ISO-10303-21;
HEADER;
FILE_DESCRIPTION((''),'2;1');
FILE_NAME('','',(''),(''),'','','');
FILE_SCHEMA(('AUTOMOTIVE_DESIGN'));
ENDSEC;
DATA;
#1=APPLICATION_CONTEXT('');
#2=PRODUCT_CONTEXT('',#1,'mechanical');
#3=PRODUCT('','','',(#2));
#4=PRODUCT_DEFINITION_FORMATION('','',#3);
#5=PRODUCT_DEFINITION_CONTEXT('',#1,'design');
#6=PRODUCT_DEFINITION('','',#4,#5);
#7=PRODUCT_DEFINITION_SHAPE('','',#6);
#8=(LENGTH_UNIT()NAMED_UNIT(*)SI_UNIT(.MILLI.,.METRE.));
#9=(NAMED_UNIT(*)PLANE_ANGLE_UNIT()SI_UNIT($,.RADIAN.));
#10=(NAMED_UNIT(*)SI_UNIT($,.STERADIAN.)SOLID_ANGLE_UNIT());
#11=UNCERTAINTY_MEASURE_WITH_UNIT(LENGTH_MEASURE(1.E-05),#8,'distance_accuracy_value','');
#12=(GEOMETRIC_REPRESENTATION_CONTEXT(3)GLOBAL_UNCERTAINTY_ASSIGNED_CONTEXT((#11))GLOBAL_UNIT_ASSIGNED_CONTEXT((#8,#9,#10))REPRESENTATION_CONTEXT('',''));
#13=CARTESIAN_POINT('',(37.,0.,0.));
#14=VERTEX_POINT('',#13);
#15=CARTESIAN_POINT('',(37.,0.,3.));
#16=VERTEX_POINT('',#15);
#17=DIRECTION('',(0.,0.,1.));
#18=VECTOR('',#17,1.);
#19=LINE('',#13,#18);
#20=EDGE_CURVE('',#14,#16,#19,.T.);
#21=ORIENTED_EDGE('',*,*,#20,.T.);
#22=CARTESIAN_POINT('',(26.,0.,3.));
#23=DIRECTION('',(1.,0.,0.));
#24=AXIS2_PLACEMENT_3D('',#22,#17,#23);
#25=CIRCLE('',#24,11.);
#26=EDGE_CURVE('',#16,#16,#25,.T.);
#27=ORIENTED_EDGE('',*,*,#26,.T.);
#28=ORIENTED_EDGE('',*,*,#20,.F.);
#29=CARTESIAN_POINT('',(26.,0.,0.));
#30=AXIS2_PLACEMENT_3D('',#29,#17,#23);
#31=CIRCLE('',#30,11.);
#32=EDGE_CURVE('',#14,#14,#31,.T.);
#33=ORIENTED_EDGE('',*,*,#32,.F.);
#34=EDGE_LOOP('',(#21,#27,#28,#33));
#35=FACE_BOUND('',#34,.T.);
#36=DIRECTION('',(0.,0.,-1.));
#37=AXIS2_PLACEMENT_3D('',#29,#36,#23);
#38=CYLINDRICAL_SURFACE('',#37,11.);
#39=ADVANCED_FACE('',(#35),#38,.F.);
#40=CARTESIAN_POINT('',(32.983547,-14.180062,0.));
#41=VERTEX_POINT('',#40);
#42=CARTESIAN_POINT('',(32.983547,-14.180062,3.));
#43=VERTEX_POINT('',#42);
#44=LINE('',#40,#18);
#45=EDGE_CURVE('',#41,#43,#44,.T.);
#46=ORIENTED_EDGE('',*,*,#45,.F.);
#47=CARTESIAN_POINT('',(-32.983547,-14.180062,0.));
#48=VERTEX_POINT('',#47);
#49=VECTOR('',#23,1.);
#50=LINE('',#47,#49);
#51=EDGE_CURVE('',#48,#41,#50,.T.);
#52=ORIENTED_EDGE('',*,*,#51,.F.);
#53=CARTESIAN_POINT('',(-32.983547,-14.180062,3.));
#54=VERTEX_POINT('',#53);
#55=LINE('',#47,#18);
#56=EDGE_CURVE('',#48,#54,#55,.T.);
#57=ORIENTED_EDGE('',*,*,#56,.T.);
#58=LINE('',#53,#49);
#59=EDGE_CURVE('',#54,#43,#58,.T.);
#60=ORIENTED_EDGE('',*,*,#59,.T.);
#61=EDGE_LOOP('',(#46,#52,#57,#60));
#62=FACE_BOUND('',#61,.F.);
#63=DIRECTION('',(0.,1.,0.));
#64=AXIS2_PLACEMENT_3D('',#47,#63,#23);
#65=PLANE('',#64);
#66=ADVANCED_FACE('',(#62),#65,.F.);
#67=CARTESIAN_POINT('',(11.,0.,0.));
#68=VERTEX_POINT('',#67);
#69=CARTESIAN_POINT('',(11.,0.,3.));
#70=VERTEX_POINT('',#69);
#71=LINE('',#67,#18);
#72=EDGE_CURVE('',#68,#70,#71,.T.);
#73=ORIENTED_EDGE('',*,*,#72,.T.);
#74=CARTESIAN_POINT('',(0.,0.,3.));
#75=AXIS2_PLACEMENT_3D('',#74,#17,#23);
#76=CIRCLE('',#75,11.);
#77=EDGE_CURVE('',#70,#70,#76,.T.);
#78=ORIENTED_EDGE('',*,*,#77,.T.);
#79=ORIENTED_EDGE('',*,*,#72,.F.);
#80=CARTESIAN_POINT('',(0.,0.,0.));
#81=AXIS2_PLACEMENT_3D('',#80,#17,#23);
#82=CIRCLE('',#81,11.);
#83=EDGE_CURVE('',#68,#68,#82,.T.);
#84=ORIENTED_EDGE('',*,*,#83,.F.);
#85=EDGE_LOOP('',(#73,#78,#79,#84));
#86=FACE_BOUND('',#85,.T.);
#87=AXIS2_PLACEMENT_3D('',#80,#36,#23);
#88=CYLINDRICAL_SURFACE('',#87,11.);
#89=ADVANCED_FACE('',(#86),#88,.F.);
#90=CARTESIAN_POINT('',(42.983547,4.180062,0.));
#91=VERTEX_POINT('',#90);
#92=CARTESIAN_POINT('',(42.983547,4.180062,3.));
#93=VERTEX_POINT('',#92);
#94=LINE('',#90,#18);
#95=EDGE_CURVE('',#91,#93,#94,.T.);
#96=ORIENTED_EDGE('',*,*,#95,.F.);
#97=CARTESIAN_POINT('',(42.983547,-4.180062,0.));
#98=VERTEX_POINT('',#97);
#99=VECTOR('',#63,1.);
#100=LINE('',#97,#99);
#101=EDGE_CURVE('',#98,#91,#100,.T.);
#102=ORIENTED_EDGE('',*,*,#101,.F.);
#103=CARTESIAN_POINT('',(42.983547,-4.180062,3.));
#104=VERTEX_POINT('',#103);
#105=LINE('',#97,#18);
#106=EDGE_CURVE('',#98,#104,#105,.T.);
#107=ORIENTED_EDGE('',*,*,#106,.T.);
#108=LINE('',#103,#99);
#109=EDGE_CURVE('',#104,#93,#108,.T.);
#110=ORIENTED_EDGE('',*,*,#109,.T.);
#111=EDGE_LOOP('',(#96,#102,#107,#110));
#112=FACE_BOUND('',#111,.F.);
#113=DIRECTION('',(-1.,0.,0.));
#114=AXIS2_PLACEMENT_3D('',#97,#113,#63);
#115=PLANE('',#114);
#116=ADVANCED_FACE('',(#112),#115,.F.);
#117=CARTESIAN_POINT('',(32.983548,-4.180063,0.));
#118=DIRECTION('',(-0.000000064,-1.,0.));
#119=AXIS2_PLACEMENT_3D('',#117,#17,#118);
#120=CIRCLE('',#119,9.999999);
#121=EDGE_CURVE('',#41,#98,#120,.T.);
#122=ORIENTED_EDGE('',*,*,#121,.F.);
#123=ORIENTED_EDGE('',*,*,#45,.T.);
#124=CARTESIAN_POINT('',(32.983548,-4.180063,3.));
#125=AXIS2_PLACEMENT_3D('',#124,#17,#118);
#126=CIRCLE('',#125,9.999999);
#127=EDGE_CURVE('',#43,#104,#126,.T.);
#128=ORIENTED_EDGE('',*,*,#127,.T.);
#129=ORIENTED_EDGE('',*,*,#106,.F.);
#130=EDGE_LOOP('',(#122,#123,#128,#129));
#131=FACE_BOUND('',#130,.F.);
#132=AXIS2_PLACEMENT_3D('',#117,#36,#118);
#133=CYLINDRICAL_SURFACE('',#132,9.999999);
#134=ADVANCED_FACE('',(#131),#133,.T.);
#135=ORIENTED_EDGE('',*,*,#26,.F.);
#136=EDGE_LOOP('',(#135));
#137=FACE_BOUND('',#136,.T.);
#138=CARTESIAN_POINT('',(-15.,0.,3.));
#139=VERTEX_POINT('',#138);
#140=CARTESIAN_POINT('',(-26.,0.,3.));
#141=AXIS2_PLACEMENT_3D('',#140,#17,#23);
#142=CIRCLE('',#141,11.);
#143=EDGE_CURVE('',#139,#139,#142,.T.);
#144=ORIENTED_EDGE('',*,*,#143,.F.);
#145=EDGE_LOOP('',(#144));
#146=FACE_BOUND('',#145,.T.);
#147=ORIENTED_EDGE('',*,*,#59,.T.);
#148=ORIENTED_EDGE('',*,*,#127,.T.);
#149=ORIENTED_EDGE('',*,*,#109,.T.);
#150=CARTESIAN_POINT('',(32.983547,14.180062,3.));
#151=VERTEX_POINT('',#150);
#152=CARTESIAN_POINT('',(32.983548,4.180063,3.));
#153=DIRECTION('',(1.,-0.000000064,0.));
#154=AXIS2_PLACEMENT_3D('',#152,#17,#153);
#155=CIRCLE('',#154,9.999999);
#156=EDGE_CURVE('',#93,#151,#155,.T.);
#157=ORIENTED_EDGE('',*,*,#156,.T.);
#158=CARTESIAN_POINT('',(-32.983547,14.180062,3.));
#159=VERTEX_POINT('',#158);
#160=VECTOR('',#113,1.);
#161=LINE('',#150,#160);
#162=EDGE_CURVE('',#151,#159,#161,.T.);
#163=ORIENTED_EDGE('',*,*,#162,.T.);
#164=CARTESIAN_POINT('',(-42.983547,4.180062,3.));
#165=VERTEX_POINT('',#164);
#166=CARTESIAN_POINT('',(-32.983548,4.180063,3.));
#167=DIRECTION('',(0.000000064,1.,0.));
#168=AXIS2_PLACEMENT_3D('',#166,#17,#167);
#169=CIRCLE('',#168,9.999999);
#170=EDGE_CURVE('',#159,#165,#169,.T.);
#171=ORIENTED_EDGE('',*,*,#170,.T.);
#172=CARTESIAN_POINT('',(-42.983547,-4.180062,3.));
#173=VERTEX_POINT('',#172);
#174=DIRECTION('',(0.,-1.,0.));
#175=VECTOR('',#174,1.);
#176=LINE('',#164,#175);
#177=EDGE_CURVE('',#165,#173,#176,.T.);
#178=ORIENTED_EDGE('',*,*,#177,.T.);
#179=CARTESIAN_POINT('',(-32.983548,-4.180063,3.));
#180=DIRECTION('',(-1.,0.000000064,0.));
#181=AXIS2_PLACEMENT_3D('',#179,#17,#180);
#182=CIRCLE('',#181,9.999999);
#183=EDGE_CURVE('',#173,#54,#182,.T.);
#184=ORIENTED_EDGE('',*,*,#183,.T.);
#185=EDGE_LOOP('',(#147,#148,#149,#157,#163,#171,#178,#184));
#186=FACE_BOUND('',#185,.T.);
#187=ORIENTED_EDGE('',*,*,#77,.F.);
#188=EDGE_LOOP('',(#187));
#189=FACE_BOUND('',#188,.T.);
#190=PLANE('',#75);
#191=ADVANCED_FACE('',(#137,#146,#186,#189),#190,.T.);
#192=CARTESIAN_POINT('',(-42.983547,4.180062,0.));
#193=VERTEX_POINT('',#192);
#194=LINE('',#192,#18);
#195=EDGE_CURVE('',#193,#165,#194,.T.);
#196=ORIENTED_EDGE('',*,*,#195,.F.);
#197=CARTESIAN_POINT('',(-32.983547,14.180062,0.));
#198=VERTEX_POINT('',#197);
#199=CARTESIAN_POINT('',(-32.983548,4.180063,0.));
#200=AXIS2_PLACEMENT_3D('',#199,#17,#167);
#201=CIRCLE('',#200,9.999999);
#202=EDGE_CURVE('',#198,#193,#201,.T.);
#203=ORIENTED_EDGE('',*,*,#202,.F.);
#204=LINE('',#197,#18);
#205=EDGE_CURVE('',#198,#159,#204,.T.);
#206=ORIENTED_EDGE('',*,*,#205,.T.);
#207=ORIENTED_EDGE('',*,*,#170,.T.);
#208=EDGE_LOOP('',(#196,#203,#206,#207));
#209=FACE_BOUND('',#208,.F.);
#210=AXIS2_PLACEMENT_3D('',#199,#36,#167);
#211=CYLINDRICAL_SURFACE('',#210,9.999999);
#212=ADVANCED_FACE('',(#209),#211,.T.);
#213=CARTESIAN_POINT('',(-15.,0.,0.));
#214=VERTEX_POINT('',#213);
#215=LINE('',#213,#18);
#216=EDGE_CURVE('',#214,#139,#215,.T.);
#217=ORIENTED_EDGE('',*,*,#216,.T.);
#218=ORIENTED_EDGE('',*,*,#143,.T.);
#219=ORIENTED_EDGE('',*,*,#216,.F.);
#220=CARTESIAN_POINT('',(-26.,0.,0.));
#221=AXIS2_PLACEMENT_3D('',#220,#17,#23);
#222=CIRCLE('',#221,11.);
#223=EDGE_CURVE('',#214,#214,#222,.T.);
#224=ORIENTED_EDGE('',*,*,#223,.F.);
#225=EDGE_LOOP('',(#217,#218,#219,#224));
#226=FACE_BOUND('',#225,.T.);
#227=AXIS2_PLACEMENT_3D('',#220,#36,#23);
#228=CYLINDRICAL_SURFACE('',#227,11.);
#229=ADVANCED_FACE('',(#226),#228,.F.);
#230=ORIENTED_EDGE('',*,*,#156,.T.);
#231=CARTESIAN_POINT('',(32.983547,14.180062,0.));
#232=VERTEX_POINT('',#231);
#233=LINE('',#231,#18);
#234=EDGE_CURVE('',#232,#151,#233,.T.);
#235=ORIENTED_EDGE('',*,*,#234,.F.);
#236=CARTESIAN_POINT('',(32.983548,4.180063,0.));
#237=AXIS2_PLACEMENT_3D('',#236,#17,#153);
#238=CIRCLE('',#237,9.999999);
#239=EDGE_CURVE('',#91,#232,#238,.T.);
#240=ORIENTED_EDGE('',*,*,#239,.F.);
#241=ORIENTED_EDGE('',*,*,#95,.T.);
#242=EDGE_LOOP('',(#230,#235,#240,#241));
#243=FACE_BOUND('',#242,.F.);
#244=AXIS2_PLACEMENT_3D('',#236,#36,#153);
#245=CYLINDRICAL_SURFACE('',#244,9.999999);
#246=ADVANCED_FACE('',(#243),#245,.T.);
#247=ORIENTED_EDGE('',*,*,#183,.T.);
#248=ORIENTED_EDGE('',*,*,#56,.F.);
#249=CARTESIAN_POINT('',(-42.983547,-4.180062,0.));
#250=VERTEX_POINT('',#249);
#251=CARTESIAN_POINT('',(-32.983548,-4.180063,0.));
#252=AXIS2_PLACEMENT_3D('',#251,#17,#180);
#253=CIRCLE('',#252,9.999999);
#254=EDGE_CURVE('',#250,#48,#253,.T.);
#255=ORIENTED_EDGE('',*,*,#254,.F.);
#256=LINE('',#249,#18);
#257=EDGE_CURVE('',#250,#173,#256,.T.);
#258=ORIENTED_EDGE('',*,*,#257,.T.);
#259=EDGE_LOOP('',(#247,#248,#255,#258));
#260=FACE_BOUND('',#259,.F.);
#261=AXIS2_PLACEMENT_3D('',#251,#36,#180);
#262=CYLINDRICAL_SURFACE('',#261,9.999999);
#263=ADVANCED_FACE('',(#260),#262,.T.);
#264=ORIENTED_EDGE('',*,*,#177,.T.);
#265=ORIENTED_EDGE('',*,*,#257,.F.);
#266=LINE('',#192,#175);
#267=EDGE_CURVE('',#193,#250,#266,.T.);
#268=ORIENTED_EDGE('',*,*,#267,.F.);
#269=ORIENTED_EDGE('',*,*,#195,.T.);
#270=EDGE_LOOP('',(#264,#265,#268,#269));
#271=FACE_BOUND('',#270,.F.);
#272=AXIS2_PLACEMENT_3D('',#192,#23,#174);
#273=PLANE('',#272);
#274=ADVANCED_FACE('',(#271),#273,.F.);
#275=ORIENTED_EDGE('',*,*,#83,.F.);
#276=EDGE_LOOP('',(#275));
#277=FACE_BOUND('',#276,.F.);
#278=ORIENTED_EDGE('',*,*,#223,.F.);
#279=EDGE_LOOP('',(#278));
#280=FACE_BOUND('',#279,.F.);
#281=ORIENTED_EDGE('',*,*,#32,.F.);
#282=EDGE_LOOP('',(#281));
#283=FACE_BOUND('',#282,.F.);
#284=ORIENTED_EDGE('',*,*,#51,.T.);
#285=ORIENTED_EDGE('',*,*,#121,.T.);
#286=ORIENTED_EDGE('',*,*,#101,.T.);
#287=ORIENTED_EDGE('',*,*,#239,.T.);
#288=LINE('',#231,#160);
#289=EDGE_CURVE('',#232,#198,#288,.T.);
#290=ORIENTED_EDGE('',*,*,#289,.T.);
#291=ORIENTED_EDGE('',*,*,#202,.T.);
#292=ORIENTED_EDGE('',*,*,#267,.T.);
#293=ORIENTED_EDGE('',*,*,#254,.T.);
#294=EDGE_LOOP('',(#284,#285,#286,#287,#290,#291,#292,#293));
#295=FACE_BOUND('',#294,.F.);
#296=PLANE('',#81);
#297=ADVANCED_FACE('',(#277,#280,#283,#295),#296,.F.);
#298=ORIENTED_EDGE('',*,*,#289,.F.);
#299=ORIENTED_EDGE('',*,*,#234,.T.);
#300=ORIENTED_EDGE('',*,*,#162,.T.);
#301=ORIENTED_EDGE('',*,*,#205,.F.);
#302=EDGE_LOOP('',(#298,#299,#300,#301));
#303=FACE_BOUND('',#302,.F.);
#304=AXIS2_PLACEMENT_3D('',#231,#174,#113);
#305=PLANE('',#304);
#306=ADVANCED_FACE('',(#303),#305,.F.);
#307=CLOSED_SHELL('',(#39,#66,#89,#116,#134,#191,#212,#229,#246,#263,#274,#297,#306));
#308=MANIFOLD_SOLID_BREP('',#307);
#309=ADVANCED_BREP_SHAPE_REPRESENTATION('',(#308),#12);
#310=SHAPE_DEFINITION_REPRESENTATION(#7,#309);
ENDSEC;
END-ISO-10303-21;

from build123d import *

# Parameters (mm, degrees)
F0_R     = 11
F1_DEPTH = 3


with BuildPart() as f1:
    # F0 (on Top) → F1 (new body)
    with BuildSketch(Plane.XY):
        with BuildLine():
            Line((32.983547, 14.180062), (-32.983547, 14.180062))
            ThreePointArc((-32.983547, 14.180062), (-40.054615, 11.25113), (-42.983547, 4.180062))
            Line((-42.983547, 4.180062), (-42.983547, -4.180062))
            ThreePointArc((-42.983547, -4.180062), (-40.054615, -11.25113), (-32.983547, -14.180062))
            Line((-32.983547, -14.180062), (32.983547, -14.180062))
            ThreePointArc((32.983547, -14.180062), (40.054615, -11.25113), (42.983547, -4.180062))
            Line((42.983547, -4.180062), (42.983547, 4.180062))
            ThreePointArc((42.983547, 4.180062), (40.054615, 11.25113), (32.983547, 14.180062))
        make_face()
        with Locations((-26, 0)):
            Circle(F0_R, mode=Mode.SUBTRACT)
        Circle(F0_R, mode=Mode.SUBTRACT)
        with Locations((26, 0)):
            Circle(F0_R, mode=Mode.SUBTRACT)
    extrude(amount=F1_DEPTH)


solid = f1.part
